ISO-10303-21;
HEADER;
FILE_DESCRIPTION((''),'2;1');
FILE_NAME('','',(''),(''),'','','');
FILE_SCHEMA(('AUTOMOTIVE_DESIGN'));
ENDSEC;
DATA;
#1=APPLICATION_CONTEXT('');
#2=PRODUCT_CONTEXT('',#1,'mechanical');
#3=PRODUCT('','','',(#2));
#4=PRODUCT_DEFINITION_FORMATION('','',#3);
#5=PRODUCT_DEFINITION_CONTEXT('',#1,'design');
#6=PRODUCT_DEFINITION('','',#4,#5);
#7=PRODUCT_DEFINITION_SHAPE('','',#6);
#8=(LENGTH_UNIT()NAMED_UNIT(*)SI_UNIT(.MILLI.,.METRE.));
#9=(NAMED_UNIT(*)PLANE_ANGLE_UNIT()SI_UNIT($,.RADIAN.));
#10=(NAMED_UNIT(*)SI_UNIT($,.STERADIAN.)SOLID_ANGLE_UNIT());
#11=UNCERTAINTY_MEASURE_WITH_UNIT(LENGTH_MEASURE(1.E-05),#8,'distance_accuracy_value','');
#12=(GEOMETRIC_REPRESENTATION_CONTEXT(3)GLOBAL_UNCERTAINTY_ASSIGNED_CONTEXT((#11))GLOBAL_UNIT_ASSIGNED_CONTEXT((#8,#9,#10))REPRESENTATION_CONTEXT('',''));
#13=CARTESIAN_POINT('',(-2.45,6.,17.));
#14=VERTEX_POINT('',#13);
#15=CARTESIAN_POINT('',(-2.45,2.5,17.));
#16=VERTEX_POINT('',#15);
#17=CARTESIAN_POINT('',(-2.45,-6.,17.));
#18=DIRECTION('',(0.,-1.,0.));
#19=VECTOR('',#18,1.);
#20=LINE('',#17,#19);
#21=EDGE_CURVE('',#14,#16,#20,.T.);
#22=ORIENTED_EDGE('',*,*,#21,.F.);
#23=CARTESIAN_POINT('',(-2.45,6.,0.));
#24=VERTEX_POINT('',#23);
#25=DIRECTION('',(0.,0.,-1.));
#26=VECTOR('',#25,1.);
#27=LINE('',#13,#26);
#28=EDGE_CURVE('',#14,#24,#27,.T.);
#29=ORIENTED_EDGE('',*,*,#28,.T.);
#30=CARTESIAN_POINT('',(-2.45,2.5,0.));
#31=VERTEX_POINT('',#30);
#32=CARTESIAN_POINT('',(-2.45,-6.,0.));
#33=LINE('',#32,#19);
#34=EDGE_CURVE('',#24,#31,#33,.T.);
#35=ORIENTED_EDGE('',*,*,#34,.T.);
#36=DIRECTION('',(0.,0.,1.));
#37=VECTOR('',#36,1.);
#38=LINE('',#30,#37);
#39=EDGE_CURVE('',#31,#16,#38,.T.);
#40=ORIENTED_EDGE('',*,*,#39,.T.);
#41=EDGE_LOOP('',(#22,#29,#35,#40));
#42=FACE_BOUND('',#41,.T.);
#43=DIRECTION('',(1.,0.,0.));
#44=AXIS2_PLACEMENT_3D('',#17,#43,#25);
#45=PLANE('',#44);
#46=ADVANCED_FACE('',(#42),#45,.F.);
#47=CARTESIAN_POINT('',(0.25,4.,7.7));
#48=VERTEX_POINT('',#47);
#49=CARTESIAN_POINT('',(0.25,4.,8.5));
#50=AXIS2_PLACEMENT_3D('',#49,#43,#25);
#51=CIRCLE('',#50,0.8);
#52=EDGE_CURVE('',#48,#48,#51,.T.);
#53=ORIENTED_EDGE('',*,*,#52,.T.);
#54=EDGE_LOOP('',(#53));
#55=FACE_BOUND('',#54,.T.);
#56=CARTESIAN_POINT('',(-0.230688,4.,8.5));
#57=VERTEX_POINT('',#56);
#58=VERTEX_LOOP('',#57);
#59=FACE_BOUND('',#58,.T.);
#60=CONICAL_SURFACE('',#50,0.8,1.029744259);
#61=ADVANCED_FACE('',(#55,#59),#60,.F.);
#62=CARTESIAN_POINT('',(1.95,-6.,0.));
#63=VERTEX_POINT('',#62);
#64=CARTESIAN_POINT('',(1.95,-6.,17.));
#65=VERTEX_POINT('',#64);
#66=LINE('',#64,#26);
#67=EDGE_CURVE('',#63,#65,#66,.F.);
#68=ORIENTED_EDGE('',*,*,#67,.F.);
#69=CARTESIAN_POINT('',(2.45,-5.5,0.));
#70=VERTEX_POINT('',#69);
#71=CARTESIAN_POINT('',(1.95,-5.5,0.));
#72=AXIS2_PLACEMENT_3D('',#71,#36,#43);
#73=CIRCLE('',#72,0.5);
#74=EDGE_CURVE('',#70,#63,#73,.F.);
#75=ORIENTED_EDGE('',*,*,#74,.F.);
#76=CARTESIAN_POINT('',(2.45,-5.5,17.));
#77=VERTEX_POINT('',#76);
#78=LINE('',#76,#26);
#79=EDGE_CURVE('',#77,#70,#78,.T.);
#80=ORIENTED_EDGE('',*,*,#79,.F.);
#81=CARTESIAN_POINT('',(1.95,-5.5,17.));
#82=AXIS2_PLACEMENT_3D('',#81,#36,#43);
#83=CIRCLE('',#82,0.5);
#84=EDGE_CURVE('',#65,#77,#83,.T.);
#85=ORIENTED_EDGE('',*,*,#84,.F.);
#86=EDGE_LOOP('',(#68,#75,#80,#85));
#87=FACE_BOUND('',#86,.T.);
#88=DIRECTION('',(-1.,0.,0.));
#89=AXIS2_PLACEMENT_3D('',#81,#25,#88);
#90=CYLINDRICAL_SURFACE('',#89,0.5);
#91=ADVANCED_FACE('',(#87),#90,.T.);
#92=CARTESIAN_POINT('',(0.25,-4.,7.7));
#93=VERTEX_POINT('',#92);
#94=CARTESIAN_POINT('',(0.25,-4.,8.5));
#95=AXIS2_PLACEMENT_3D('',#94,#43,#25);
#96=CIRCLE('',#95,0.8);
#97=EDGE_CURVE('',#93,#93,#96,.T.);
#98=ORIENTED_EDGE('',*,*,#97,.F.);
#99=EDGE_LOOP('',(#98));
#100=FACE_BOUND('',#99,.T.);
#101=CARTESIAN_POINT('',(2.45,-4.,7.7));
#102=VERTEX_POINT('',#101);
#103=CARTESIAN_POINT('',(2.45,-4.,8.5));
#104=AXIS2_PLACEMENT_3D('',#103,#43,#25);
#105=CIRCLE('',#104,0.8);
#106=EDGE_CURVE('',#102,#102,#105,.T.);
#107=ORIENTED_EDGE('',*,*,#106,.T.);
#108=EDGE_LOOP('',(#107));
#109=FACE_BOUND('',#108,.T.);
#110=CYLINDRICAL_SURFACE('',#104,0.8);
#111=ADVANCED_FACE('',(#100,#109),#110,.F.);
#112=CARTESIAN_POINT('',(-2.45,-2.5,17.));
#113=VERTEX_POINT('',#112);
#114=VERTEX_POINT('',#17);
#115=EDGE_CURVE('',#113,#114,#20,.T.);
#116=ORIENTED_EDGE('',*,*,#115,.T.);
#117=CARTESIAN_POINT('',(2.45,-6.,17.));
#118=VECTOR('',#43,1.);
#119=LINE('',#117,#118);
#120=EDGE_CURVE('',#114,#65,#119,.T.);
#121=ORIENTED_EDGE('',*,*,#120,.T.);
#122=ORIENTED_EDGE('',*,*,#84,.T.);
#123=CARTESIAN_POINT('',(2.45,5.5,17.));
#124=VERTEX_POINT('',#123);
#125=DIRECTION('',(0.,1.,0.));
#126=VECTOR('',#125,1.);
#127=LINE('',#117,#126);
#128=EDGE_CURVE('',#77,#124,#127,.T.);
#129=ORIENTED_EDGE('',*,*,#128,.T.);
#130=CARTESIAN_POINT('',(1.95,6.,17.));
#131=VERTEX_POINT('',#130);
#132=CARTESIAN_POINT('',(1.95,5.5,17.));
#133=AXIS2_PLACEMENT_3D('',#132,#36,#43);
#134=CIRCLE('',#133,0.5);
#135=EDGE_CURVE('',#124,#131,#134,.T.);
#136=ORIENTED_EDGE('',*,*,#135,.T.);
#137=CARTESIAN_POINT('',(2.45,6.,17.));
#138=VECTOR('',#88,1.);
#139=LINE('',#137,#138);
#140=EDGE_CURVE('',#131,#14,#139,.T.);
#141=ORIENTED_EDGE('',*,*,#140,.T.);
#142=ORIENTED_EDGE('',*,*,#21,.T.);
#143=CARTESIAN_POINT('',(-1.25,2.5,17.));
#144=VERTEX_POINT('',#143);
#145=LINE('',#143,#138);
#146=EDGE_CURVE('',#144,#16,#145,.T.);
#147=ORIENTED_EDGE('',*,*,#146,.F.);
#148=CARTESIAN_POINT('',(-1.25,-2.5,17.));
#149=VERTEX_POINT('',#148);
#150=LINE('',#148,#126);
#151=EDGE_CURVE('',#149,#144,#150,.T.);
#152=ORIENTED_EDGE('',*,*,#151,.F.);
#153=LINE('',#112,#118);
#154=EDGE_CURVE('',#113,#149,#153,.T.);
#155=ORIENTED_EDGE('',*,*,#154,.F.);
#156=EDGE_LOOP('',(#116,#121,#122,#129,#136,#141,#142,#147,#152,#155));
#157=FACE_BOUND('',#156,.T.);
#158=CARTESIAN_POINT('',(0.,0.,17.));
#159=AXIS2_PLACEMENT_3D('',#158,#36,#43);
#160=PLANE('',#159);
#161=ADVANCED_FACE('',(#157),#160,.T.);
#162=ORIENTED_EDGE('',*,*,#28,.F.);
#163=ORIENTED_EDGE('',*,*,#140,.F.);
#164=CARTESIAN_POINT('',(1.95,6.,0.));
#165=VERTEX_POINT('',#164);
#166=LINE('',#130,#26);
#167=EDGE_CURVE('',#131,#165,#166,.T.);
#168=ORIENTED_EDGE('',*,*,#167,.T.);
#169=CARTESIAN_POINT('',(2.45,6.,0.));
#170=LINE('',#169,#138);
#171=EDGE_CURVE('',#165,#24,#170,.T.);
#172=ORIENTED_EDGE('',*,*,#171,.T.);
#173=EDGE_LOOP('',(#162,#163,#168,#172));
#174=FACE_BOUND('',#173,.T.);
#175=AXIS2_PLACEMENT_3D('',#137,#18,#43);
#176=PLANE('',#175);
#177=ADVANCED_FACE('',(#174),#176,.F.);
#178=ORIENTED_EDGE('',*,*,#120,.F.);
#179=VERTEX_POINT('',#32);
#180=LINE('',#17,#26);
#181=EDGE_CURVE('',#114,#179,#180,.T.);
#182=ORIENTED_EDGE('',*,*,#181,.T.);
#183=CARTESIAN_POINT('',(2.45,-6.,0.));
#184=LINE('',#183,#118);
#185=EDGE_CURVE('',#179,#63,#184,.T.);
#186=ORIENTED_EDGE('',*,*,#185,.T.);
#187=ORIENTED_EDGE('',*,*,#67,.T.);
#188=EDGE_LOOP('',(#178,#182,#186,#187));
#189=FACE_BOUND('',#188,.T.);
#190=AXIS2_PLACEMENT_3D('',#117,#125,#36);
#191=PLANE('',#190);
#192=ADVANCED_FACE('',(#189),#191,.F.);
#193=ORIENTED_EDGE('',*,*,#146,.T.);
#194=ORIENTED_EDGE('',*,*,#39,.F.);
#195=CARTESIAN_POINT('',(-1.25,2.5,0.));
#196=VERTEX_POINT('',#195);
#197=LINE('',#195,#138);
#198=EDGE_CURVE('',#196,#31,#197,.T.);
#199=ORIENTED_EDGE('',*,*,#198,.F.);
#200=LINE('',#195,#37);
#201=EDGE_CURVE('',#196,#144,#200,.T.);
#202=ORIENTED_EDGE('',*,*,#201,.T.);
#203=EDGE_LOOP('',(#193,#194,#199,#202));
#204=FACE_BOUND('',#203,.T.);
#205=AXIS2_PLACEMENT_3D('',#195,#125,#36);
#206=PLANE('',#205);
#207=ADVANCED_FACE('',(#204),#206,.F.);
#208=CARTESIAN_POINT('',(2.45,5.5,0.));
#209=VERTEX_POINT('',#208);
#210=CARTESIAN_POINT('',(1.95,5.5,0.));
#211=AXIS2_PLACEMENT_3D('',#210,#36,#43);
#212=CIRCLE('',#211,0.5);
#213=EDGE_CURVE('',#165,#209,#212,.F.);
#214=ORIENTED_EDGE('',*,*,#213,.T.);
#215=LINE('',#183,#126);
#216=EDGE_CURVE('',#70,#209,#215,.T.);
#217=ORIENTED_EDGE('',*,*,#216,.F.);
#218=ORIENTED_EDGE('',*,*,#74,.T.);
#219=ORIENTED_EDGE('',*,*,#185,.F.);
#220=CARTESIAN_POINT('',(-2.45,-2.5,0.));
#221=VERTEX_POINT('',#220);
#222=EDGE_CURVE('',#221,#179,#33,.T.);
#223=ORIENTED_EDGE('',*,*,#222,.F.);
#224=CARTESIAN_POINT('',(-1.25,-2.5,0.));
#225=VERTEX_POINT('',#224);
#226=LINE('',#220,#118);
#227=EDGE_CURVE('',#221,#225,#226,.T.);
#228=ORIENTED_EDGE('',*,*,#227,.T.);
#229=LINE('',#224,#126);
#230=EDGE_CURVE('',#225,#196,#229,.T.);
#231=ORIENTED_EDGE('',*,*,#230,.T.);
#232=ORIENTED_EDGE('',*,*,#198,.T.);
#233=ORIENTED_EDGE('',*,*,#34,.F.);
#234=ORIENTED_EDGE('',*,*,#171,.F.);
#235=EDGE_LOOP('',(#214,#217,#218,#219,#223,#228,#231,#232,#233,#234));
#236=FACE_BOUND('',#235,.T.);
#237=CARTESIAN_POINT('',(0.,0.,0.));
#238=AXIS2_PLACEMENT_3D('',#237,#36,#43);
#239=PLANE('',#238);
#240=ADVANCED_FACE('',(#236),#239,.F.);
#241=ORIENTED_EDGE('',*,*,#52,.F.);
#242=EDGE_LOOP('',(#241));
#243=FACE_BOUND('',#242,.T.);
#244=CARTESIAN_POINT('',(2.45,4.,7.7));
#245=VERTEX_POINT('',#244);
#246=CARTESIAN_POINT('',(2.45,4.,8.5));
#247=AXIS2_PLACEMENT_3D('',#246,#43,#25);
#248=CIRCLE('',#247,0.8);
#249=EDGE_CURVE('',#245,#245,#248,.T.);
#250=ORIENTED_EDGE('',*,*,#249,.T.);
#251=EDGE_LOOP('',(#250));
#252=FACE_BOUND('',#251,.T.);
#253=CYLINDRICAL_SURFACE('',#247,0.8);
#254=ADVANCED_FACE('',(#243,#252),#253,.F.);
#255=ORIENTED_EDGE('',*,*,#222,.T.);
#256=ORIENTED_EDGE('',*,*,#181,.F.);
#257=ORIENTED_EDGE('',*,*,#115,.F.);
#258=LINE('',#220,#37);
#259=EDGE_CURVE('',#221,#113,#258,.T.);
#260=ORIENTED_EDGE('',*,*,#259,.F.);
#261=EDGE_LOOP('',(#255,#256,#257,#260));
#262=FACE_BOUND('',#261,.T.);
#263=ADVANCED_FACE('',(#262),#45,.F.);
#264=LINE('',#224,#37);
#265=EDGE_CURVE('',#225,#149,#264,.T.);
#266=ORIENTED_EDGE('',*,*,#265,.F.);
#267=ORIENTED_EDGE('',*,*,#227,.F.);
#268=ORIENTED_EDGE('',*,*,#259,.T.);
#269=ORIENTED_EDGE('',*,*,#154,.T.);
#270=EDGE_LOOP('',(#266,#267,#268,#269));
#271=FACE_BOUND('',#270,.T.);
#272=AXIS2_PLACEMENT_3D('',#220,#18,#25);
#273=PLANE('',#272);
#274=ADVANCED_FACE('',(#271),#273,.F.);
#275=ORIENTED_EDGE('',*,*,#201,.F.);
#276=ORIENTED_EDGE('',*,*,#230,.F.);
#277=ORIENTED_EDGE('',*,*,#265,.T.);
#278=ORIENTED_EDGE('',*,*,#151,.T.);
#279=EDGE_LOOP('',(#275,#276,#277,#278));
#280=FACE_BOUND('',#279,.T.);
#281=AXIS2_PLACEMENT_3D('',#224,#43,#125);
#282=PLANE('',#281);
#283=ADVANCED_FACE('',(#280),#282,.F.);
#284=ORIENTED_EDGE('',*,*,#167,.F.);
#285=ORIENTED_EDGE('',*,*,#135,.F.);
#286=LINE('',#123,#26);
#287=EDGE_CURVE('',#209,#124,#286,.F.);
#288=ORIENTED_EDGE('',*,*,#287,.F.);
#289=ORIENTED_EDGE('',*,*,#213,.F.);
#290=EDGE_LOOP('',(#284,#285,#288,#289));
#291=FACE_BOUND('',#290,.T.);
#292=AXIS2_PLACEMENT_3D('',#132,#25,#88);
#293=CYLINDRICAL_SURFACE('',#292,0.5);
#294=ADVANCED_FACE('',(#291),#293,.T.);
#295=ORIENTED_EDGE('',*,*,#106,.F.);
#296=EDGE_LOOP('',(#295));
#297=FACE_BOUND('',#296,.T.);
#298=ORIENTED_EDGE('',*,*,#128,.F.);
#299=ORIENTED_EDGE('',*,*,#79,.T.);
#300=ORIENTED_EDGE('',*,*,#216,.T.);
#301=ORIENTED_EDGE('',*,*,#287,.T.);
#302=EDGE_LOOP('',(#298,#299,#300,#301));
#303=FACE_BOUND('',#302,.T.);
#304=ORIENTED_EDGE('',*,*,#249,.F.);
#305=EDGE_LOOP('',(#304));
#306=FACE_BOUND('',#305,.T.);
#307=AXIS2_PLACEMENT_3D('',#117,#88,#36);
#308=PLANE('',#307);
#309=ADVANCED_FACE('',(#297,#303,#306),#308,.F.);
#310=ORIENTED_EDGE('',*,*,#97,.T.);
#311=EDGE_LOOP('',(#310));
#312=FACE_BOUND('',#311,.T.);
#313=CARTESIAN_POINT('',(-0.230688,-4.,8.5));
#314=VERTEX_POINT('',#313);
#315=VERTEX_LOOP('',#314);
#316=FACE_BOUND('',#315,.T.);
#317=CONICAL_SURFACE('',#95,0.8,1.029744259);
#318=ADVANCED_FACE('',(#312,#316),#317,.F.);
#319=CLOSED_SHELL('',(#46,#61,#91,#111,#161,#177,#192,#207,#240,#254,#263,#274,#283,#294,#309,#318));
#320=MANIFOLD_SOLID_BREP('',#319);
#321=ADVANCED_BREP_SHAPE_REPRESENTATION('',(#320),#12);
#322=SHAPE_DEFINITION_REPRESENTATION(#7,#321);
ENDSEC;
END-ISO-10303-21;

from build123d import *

# Parameters (mm, degrees)
SKETCH_1_W             = 4.9
SKETCH_1_H             = 12
EXTRUDE_1_DEPTH        = 17
SKETCH_2_W             = 1.2
SKETCH_2_H             = 5
CUT_EXTRUDE_1_DEPTH    = 18
FILLET_1_R             = 0.5
HOLE_WIZARD_M2_1_D     = 1.6
HOLE_WIZARD_M2_1_DEPTH = 2.2
HOLE_WIZARD_M2_1_TIP   = 0.480688495


with BuildPart() as part:
    # 草图1 → 凸台-拉伸1 (new body)
    with BuildSketch(Plane.XY):
        Rectangle(SKETCH_1_W, SKETCH_1_H)
    extrude(amount=EXTRUDE_1_DEPTH)

    # 草图2 → 切除-拉伸1 (cut, through all)
    with BuildSketch(Plane.XY.offset(17)):
        with Locations((-1.85, 0)):
            Rectangle(SKETCH_2_W, SKETCH_2_H)
    extrude(amount=-CUT_EXTRUDE_1_DEPTH, mode=Mode.SUBTRACT)

    # 圆角1
    fillet_1_edges = [part.edges().sort_by_distance(p)[0] for p in [
        (2.45, 6, 8.5),
        (2.45, -6, 8.5),
    ]]
    fillet(fillet_1_edges, radius=FILLET_1_R)

    # M2 螺纹孔1
    with Locations(Plane(origin=(2.45, 0, 0), x_dir=(0, 0, -1), z_dir=(1, 0, 0))):
        with Locations((-8.5, 4), (-8.5, -4)):
            Hole(HOLE_WIZARD_M2_1_D / 2, depth=HOLE_WIZARD_M2_1_DEPTH)
            with Locations((0, 0, -(HOLE_WIZARD_M2_1_DEPTH + HOLE_WIZARD_M2_1_TIP / 2))):  # 118° drill point
                Cone(0, HOLE_WIZARD_M2_1_D / 2, HOLE_WIZARD_M2_1_TIP, mode=Mode.SUBTRACT)


solid = part.part
